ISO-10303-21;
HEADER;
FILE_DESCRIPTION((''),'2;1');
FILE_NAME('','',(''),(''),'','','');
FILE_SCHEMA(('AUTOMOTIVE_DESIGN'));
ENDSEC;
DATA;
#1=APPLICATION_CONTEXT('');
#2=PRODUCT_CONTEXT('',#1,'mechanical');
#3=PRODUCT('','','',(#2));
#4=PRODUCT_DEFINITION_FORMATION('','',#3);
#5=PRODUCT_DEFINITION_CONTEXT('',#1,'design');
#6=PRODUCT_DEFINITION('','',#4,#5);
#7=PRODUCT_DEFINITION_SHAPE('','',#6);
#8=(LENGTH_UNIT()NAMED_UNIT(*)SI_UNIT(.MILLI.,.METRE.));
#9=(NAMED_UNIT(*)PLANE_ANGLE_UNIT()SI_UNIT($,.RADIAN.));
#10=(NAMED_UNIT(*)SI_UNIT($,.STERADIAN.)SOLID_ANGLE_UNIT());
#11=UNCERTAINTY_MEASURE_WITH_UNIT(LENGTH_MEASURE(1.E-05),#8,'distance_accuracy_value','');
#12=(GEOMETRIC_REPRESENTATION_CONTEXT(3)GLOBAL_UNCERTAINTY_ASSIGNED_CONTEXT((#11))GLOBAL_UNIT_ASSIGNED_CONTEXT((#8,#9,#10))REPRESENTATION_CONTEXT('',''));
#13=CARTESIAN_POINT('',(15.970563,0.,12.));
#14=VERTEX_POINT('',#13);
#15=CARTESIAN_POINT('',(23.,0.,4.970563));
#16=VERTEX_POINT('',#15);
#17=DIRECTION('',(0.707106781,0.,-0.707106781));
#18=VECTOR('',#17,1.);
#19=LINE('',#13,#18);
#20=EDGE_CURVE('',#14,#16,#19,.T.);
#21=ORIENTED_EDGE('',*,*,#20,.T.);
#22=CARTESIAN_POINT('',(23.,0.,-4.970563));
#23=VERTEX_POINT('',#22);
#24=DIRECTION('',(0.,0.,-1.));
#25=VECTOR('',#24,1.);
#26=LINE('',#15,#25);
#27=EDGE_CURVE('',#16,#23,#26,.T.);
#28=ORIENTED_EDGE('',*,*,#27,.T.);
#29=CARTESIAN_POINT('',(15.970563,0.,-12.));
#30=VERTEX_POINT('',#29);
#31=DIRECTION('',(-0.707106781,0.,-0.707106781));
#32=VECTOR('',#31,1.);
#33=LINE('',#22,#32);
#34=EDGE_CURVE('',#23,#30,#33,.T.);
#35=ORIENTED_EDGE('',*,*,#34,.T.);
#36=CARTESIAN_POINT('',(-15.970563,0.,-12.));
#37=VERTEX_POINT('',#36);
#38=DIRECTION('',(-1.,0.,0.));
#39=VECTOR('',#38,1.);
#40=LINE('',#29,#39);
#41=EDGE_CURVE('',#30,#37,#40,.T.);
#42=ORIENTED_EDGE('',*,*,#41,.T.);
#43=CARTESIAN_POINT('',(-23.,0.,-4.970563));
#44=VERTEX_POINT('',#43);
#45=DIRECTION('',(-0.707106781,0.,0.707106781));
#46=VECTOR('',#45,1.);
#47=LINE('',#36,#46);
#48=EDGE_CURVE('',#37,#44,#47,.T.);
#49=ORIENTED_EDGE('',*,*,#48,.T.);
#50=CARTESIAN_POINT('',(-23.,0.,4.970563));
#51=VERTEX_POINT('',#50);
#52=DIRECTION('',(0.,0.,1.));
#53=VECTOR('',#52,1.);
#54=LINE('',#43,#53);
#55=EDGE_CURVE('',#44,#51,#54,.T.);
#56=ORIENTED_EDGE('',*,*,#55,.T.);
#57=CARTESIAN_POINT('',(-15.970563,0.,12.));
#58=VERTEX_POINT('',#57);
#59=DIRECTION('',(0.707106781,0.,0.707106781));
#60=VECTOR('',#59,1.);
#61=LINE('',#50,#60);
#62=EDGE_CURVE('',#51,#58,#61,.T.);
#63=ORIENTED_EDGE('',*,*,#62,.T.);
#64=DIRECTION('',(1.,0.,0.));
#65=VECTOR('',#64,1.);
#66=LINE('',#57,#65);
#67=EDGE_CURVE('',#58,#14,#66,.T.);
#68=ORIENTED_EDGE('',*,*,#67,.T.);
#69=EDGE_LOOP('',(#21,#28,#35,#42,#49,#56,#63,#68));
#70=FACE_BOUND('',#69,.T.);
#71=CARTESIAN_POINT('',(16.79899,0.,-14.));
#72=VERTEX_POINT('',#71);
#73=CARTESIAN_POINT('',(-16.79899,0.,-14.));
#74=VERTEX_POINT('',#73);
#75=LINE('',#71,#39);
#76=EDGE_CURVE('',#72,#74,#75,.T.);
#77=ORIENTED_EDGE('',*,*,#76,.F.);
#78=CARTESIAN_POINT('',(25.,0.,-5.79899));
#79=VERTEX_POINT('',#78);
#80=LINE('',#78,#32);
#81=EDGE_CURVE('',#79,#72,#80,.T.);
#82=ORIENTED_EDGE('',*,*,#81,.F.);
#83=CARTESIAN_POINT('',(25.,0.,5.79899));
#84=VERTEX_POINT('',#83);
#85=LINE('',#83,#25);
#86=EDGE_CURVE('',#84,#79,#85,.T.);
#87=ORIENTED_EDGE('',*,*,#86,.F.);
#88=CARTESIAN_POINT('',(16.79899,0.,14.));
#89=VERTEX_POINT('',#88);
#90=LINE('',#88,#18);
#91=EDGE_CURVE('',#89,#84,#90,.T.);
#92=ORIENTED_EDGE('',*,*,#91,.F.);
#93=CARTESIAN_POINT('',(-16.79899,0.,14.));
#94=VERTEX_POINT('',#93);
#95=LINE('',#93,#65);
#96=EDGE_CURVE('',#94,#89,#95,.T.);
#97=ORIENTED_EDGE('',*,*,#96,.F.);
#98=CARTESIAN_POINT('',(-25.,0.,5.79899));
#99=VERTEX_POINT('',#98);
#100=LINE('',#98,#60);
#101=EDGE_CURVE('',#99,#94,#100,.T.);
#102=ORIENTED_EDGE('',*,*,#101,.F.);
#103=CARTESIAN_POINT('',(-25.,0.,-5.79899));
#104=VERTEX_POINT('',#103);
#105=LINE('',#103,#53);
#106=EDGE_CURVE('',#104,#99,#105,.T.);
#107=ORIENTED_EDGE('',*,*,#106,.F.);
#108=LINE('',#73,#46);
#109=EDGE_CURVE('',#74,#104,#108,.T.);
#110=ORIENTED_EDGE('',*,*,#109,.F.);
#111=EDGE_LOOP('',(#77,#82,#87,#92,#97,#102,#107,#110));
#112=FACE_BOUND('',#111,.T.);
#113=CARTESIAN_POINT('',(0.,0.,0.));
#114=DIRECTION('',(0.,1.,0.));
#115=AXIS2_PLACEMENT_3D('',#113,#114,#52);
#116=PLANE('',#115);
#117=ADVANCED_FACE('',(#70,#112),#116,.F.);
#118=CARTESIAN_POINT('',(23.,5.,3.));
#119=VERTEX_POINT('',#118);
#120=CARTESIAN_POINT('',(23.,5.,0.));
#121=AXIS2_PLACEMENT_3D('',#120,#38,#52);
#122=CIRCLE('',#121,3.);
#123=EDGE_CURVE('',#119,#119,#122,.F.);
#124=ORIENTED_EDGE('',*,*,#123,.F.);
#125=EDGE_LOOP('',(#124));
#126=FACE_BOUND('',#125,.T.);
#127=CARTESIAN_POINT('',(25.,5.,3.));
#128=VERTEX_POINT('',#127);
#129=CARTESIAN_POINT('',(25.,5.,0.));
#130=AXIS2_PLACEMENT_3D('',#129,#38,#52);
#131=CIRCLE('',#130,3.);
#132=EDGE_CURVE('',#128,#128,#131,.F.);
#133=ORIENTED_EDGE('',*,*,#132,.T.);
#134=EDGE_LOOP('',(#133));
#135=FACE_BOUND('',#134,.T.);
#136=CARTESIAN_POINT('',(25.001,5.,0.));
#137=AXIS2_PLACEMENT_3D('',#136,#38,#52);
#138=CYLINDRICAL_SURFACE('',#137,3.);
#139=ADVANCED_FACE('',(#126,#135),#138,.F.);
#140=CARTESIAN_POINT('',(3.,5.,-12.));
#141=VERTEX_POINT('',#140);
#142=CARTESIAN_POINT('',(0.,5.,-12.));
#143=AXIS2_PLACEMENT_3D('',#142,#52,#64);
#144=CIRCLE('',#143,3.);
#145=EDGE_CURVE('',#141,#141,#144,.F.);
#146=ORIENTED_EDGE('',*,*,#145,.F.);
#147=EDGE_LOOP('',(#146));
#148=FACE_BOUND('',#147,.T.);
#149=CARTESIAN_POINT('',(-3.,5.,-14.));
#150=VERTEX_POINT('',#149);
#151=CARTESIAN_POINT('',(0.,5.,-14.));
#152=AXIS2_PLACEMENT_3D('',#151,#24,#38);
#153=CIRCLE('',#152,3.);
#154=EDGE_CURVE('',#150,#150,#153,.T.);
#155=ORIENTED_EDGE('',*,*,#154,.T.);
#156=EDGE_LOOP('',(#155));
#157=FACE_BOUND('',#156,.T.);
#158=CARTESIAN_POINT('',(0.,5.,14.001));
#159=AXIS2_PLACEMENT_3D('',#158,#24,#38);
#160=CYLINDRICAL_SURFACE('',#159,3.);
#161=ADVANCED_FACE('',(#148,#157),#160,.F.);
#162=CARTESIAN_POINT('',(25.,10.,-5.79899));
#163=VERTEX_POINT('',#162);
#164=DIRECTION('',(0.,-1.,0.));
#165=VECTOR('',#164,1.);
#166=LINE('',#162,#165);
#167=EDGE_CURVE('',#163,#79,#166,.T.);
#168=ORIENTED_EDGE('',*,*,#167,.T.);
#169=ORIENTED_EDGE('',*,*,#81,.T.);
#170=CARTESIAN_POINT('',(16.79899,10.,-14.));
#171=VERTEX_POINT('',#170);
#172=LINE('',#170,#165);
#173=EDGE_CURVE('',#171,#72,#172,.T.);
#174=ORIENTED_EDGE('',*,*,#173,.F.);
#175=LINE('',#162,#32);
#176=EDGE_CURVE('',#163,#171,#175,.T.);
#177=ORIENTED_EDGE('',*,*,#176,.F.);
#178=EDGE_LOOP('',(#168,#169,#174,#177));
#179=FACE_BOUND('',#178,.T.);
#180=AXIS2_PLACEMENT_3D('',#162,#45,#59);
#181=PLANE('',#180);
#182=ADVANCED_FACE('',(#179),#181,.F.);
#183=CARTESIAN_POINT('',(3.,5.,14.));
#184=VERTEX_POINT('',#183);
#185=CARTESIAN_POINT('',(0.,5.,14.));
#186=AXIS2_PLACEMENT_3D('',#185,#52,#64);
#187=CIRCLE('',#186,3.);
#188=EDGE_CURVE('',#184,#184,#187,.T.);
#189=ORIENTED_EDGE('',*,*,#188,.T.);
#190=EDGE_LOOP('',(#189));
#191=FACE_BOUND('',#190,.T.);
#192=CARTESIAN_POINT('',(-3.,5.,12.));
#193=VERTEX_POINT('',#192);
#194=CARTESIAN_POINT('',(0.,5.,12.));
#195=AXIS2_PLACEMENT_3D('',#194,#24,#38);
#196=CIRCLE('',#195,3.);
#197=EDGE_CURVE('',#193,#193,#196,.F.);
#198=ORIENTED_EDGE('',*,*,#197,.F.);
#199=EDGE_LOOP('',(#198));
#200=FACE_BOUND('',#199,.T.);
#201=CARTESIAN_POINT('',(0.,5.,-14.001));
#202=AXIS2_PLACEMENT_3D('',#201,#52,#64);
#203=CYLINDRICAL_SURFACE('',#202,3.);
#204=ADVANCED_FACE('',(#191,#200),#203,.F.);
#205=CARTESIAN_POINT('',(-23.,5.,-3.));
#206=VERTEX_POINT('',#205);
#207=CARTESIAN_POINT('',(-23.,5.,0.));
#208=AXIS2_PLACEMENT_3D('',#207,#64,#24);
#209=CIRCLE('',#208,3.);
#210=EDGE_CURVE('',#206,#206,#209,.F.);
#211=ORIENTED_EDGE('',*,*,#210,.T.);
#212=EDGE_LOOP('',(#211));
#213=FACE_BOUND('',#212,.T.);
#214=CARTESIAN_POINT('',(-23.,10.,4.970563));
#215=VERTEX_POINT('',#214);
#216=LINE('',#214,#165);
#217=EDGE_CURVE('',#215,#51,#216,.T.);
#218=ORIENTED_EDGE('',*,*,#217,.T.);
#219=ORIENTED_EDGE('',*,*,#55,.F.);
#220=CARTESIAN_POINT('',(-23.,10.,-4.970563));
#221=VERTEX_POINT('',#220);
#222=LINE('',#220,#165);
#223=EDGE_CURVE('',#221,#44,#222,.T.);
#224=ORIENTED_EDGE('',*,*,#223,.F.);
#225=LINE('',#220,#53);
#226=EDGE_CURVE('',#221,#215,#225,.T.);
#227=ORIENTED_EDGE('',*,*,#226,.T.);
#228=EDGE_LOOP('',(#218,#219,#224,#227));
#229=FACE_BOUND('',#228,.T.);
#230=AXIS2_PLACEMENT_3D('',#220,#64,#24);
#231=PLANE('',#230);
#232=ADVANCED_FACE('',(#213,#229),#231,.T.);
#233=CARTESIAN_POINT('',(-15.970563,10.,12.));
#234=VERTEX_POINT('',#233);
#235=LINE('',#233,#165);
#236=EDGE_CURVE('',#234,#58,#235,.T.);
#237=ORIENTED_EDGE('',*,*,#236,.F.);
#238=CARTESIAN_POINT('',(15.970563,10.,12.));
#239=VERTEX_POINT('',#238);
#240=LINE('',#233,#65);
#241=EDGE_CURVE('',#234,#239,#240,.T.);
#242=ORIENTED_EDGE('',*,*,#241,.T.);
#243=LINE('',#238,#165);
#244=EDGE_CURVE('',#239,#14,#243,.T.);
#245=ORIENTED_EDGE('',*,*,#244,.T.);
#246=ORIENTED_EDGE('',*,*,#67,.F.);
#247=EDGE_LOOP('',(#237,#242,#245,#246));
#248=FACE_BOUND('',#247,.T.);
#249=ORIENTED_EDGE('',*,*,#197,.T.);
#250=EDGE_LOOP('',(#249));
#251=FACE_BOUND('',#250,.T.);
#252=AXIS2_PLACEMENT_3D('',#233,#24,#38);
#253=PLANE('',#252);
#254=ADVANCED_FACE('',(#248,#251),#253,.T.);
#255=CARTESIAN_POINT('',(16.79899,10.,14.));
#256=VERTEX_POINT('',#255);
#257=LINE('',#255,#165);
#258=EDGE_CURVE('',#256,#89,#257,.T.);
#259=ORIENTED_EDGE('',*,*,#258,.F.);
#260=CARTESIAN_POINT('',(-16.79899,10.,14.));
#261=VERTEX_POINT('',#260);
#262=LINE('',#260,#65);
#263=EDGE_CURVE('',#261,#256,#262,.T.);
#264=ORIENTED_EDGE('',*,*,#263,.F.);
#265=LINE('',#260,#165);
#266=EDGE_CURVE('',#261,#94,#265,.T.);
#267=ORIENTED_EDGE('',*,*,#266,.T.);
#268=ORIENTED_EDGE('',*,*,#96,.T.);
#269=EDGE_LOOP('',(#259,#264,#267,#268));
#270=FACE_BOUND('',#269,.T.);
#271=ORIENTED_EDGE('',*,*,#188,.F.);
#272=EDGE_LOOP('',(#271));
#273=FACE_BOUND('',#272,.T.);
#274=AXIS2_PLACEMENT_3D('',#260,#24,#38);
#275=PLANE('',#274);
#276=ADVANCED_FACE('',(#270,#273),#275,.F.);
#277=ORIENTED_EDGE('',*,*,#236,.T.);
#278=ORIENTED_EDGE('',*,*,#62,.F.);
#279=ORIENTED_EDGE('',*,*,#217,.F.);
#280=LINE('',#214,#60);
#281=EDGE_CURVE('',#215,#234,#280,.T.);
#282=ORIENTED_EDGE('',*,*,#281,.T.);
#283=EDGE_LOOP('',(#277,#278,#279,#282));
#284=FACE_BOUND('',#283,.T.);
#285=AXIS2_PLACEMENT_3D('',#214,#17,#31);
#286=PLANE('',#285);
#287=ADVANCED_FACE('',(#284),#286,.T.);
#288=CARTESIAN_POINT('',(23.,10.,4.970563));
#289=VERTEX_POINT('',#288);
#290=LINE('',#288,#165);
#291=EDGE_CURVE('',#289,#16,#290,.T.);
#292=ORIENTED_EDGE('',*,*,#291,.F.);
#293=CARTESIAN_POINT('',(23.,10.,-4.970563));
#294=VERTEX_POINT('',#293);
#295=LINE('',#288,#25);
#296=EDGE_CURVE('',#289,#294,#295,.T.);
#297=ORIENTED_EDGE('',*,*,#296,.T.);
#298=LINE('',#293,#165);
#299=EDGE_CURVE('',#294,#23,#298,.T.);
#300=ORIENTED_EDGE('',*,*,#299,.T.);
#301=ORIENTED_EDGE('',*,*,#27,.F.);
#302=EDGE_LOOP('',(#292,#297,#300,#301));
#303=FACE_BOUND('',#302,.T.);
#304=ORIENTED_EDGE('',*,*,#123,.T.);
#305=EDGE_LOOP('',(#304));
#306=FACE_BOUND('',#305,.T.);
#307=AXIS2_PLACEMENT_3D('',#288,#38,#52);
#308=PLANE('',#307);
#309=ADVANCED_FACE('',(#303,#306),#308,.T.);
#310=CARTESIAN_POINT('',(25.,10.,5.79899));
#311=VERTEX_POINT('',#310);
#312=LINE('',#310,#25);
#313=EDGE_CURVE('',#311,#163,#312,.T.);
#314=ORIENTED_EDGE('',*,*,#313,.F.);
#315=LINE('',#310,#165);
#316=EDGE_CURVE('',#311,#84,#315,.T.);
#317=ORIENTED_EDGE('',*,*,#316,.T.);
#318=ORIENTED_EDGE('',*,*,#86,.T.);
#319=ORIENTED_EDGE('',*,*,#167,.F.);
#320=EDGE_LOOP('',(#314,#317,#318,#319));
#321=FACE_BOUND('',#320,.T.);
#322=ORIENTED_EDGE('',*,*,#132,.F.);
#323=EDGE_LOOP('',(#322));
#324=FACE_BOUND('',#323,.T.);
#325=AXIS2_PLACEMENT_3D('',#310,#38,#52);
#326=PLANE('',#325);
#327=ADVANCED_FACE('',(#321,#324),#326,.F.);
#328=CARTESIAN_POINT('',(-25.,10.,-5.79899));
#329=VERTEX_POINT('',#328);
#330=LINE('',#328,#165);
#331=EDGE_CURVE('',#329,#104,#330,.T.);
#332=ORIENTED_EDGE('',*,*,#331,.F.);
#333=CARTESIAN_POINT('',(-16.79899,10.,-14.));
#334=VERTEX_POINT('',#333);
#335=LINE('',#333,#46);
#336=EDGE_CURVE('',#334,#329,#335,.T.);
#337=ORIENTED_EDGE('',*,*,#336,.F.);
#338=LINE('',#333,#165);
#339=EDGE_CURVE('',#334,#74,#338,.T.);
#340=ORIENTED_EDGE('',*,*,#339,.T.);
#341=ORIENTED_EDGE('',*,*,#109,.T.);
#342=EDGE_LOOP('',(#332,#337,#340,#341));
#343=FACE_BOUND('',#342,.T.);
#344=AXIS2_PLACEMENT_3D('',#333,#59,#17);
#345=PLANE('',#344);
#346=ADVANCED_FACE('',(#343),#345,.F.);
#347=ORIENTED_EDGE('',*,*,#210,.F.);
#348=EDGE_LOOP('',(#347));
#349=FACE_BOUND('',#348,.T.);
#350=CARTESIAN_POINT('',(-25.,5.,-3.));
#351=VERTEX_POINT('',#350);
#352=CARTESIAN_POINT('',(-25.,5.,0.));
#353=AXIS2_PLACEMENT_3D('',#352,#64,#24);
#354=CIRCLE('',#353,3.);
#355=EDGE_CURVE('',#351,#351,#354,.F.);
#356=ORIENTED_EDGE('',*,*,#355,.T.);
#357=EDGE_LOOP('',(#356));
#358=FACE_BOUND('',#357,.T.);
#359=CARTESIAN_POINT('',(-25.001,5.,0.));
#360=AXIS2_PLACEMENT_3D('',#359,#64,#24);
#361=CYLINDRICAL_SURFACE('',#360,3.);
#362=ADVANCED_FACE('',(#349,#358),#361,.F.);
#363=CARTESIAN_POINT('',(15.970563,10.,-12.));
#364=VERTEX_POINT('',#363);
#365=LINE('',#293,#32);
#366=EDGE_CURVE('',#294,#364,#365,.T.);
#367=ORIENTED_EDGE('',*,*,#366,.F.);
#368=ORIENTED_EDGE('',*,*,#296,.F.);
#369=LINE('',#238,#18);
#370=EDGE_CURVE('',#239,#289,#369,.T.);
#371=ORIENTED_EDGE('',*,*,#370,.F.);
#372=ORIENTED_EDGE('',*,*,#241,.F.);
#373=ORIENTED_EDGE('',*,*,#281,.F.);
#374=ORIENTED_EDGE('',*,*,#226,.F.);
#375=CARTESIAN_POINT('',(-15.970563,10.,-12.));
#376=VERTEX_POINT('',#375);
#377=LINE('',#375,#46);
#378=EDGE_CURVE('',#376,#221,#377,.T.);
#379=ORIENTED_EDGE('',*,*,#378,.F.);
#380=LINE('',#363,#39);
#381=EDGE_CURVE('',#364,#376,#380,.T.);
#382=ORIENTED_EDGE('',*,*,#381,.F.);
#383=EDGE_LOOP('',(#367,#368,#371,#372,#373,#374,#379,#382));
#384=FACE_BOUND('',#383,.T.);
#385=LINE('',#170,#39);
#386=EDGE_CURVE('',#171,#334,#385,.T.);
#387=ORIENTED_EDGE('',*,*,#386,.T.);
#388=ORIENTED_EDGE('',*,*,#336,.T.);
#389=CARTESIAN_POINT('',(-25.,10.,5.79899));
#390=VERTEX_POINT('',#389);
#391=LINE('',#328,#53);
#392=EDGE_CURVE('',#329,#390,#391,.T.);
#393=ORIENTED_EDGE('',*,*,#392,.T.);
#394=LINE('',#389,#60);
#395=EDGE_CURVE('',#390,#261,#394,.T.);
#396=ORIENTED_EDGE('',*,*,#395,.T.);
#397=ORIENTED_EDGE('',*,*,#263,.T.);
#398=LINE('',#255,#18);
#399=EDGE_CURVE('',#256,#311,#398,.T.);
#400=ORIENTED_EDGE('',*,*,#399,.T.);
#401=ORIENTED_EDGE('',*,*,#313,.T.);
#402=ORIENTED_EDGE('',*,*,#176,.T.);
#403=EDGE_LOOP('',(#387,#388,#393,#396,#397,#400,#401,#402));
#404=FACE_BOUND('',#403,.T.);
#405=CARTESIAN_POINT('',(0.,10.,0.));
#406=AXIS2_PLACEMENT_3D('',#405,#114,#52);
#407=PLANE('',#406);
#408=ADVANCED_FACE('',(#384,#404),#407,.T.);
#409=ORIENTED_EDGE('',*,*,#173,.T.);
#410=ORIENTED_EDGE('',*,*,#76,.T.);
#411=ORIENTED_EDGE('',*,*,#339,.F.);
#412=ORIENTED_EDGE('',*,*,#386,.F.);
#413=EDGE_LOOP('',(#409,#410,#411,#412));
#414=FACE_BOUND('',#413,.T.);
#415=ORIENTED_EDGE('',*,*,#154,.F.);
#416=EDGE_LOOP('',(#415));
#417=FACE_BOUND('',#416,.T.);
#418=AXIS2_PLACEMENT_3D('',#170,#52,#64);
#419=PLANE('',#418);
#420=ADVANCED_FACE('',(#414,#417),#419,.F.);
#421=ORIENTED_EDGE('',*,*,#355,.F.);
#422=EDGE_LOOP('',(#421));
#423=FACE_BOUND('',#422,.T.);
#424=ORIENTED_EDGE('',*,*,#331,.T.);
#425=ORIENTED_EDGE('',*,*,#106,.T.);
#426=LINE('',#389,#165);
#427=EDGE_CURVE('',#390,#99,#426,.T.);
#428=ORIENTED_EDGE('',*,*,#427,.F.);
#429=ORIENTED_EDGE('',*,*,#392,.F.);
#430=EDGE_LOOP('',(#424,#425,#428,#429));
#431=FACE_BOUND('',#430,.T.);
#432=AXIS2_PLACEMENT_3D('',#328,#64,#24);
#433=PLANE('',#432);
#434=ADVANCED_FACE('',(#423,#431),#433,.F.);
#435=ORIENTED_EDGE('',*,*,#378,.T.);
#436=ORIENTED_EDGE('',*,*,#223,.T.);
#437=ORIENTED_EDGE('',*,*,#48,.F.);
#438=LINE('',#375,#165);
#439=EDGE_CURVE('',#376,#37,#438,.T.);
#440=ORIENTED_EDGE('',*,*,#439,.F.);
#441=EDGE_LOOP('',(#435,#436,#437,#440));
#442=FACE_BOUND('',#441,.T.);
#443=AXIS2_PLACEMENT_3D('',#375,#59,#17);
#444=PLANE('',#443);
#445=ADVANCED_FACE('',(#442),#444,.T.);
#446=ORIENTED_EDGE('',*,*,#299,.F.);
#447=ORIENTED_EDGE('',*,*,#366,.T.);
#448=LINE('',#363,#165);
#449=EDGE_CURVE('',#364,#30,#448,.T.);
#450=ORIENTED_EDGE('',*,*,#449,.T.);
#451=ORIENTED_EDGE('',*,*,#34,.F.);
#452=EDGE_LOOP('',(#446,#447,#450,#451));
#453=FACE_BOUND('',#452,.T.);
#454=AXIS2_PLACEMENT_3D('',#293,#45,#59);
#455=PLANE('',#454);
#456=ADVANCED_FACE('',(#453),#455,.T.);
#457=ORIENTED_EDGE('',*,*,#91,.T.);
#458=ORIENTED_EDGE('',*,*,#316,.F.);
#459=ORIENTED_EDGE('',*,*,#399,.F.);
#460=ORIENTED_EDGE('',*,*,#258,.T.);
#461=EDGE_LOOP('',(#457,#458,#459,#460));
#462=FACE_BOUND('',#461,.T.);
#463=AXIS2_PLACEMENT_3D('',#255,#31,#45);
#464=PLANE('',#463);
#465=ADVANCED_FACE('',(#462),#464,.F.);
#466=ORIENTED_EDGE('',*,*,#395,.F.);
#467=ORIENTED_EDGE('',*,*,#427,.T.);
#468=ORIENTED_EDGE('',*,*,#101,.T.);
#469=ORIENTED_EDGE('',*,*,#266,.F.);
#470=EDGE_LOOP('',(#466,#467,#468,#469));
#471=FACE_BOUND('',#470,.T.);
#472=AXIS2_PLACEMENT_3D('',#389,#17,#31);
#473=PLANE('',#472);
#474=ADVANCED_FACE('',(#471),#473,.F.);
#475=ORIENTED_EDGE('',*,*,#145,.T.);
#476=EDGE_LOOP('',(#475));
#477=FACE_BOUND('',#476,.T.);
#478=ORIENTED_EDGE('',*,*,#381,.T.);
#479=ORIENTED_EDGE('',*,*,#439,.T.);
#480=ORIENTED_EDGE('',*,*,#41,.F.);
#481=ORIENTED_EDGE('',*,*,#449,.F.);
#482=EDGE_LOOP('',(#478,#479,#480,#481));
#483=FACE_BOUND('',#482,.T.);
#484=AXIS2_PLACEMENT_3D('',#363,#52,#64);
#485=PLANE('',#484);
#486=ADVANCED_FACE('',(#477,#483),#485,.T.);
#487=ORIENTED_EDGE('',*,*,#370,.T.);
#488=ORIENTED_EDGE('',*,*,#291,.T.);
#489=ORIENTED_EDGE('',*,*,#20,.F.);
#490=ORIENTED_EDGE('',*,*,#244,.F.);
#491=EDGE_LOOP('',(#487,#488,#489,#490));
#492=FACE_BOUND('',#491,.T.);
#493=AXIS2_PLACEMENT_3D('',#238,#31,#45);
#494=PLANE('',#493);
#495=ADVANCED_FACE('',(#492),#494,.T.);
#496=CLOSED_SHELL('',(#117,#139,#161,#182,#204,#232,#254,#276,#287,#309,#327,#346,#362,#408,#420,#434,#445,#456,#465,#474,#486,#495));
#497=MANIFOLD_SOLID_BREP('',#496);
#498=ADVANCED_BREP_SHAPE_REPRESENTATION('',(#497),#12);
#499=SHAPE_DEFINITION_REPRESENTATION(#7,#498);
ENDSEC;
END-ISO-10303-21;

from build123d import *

# Parameters (mm, degrees)
BOSS_EXTRUDE2_DEPTH = 10
CUT_EXTRUDE2_REACH  = 40.846
SKETCH4_R           = 3
CIRPATTERN2_COUNT   = 4


with BuildPart() as part:
    # Sketch3 → Boss-Extrude2 (new body)
    with BuildSketch(Plane(origin=(0, 0, 0), x_dir=(1, 0, 0), z_dir=(0, 1, 0))):
        Polygon((-16.798989873, -14), (16.798989873, -14), (25, -5.798989873), (25, 5.798989873), (16.798989873, 14), (-16.798989873, 14), (-25, 5.798989873), (-25, -5.798989873), align=None)
        Polygon((-23, -4.970562748), (-15.970562748, -12), (15.970562748, -12), (23, -4.970562748), (23, 4.970562748), (15.970562748, 12), (-15.970562748, 12), (-23, 4.970562748), align=None, mode=Mode.SUBTRACT)
    extrude(amount=BOSS_EXTRUDE2_DEPTH)

    # Sketch4 → Cut-Extrude2 (cut, up to next)
    with BuildSketch(Plane.XY.offset(14), mode=Mode.PRIVATE) as cut_extrude2_sk1:
        with Locations((0, 5)):
            Circle(SKETCH4_R)
    cut_extrude2_tool1 = extrude(cut_extrude2_sk1.sketch, amount=-CUT_EXTRUDE2_REACH, mode=Mode.PRIVATE) & part.part
    cut_extrude2 = cut_extrude2_tool1.solids().sort_by_distance((0, 5, 14))[0]
    add(cut_extrude2, mode=Mode.SUBTRACT)

    # CirPattern2: Cut-Extrude2; each copy of Cut-Extrude2 runs up to whatever stops it at its own place
    cirpattern2_before = part.part  # the part as the pattern finds it: every copy runs up to it
    cirpattern2_cut_extrude2_long = extrude(cut_extrude2_sk1.sketch, amount=-CUT_EXTRUDE2_REACH, mode=Mode.PRIVATE)
    cirpattern2_cut_extrude2_tool1 = cirpattern2_cut_extrude2_long.rotate(Axis((0, 0, 0), (0, 1, 0)), 1 * 360 / CIRPATTERN2_COUNT) & cirpattern2_before
    add(cirpattern2_cut_extrude2_tool1.solids().sort_by_distance((14, 5, 0))[0], mode=Mode.SUBTRACT)
    cirpattern2_cut_extrude2_tool2 = cirpattern2_cut_extrude2_long.rotate(Axis((0, 0, 0), (0, 1, 0)), 2 * 360 / CIRPATTERN2_COUNT) & cirpattern2_before
    add(cirpattern2_cut_extrude2_tool2.solids().sort_by_distance((0, 5, -14))[0], mode=Mode.SUBTRACT)
    cirpattern2_cut_extrude2_tool3 = cirpattern2_cut_extrude2_long.rotate(Axis((0, 0, 0), (0, 1, 0)), 3 * 360 / CIRPATTERN2_COUNT) & cirpattern2_before
    add(cirpattern2_cut_extrude2_tool3.solids().sort_by_distance((-14, 5, 0))[0], mode=Mode.SUBTRACT)


solid = part.part
